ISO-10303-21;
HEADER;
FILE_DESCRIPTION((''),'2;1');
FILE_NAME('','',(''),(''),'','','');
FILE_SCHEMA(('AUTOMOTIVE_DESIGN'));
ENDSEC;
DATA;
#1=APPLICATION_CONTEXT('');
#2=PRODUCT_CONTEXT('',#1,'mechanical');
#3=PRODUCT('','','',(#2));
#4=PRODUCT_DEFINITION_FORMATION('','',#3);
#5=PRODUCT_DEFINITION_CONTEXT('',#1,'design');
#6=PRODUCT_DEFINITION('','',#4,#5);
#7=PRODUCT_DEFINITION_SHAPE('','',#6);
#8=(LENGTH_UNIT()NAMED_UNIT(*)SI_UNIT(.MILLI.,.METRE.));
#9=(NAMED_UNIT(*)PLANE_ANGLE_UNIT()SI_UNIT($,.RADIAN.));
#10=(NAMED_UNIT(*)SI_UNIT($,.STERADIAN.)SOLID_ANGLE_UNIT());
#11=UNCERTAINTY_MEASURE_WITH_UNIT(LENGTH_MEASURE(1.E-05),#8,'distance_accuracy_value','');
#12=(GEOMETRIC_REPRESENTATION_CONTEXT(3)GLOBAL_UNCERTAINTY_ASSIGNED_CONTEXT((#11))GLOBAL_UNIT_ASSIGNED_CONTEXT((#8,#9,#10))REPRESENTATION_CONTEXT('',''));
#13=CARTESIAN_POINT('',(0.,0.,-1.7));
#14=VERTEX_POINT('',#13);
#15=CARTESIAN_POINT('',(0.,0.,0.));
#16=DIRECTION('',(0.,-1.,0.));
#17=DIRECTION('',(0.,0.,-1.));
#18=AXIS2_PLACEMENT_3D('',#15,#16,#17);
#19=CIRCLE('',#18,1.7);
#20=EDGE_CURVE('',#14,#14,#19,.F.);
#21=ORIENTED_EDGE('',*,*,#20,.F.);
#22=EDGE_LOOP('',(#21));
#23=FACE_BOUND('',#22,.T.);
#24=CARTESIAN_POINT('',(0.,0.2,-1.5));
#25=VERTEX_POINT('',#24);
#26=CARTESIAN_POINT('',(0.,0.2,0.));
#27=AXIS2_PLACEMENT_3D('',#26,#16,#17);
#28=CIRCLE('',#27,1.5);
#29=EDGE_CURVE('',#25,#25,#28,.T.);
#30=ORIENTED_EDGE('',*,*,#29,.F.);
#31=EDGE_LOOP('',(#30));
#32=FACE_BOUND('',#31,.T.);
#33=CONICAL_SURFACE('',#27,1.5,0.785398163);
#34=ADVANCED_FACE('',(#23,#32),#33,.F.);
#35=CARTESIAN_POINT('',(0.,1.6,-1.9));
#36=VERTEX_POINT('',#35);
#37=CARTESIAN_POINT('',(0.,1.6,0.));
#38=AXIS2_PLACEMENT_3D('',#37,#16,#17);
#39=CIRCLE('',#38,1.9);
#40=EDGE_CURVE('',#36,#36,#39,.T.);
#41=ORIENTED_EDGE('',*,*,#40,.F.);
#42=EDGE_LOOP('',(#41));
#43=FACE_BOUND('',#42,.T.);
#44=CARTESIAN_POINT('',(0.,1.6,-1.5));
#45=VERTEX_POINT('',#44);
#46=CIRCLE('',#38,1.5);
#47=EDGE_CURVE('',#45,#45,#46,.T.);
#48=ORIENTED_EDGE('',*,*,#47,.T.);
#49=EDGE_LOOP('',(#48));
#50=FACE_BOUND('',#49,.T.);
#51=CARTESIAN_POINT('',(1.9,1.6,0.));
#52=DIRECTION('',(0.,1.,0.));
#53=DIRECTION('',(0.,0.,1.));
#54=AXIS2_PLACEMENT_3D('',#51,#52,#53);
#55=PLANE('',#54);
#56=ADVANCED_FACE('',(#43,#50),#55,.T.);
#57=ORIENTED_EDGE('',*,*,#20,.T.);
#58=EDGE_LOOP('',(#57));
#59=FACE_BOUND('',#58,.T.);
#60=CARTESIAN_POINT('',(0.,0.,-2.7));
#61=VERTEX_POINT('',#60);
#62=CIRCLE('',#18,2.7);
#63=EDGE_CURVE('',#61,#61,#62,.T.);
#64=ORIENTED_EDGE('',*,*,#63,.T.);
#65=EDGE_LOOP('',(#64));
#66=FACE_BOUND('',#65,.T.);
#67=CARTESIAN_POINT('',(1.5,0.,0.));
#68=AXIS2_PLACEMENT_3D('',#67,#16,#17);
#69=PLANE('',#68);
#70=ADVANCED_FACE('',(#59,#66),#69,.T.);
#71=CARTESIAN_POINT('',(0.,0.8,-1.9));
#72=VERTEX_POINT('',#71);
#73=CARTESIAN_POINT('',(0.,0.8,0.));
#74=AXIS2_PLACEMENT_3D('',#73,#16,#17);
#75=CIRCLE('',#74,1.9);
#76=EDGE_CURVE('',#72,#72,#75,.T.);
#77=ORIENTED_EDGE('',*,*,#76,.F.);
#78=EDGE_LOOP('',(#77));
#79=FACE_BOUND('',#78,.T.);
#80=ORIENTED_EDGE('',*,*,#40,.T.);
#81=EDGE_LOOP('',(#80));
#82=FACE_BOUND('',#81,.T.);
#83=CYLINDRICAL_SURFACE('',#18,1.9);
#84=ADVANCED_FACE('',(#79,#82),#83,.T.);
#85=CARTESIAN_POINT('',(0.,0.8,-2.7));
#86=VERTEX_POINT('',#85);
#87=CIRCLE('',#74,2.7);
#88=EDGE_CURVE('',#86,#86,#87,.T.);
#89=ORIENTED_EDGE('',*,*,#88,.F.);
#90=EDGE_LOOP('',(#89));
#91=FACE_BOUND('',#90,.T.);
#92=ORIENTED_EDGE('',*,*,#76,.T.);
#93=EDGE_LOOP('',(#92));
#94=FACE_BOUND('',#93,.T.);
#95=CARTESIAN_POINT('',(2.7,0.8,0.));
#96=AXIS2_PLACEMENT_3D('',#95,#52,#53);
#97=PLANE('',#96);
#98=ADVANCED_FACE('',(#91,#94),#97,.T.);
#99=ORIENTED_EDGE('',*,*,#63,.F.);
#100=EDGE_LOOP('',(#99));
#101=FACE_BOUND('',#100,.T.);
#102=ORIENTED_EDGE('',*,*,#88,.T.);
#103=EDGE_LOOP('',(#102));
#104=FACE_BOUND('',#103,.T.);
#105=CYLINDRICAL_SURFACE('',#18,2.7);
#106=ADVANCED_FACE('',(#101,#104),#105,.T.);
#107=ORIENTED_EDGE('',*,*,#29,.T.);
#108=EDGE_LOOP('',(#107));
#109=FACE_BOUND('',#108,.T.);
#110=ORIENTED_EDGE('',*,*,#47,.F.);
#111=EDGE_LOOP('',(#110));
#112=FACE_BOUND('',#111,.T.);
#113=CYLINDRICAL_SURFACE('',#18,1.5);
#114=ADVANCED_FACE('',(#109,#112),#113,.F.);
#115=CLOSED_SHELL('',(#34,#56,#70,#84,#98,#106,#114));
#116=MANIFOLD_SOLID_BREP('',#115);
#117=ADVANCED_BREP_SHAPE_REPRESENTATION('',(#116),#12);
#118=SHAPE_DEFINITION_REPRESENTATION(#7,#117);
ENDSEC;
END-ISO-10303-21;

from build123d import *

# Parameters (mm, degrees)
CHAMFER1_SIZE = 0.2


with BuildPart() as part:
    # Sketch1 → Revolve1 (revolve)
    with BuildSketch(Plane.XY):
        Polygon((1.5, 0), (2.7, 0), (2.7, 0.8), (1.9, 0.8), (1.9, 1.6), (1.5, 1.6), align=None)
    revolve(axis=Axis((0, 0, 0), (0, 1, 0)))

    # Chamfer1
    chamfer1_edges = [part.edges().sort_by_distance(p)[0] for p in [
        (-1.5, 0, 0),
    ]]
    chamfer(chamfer1_edges, length=CHAMFER1_SIZE)


solid = part.part
